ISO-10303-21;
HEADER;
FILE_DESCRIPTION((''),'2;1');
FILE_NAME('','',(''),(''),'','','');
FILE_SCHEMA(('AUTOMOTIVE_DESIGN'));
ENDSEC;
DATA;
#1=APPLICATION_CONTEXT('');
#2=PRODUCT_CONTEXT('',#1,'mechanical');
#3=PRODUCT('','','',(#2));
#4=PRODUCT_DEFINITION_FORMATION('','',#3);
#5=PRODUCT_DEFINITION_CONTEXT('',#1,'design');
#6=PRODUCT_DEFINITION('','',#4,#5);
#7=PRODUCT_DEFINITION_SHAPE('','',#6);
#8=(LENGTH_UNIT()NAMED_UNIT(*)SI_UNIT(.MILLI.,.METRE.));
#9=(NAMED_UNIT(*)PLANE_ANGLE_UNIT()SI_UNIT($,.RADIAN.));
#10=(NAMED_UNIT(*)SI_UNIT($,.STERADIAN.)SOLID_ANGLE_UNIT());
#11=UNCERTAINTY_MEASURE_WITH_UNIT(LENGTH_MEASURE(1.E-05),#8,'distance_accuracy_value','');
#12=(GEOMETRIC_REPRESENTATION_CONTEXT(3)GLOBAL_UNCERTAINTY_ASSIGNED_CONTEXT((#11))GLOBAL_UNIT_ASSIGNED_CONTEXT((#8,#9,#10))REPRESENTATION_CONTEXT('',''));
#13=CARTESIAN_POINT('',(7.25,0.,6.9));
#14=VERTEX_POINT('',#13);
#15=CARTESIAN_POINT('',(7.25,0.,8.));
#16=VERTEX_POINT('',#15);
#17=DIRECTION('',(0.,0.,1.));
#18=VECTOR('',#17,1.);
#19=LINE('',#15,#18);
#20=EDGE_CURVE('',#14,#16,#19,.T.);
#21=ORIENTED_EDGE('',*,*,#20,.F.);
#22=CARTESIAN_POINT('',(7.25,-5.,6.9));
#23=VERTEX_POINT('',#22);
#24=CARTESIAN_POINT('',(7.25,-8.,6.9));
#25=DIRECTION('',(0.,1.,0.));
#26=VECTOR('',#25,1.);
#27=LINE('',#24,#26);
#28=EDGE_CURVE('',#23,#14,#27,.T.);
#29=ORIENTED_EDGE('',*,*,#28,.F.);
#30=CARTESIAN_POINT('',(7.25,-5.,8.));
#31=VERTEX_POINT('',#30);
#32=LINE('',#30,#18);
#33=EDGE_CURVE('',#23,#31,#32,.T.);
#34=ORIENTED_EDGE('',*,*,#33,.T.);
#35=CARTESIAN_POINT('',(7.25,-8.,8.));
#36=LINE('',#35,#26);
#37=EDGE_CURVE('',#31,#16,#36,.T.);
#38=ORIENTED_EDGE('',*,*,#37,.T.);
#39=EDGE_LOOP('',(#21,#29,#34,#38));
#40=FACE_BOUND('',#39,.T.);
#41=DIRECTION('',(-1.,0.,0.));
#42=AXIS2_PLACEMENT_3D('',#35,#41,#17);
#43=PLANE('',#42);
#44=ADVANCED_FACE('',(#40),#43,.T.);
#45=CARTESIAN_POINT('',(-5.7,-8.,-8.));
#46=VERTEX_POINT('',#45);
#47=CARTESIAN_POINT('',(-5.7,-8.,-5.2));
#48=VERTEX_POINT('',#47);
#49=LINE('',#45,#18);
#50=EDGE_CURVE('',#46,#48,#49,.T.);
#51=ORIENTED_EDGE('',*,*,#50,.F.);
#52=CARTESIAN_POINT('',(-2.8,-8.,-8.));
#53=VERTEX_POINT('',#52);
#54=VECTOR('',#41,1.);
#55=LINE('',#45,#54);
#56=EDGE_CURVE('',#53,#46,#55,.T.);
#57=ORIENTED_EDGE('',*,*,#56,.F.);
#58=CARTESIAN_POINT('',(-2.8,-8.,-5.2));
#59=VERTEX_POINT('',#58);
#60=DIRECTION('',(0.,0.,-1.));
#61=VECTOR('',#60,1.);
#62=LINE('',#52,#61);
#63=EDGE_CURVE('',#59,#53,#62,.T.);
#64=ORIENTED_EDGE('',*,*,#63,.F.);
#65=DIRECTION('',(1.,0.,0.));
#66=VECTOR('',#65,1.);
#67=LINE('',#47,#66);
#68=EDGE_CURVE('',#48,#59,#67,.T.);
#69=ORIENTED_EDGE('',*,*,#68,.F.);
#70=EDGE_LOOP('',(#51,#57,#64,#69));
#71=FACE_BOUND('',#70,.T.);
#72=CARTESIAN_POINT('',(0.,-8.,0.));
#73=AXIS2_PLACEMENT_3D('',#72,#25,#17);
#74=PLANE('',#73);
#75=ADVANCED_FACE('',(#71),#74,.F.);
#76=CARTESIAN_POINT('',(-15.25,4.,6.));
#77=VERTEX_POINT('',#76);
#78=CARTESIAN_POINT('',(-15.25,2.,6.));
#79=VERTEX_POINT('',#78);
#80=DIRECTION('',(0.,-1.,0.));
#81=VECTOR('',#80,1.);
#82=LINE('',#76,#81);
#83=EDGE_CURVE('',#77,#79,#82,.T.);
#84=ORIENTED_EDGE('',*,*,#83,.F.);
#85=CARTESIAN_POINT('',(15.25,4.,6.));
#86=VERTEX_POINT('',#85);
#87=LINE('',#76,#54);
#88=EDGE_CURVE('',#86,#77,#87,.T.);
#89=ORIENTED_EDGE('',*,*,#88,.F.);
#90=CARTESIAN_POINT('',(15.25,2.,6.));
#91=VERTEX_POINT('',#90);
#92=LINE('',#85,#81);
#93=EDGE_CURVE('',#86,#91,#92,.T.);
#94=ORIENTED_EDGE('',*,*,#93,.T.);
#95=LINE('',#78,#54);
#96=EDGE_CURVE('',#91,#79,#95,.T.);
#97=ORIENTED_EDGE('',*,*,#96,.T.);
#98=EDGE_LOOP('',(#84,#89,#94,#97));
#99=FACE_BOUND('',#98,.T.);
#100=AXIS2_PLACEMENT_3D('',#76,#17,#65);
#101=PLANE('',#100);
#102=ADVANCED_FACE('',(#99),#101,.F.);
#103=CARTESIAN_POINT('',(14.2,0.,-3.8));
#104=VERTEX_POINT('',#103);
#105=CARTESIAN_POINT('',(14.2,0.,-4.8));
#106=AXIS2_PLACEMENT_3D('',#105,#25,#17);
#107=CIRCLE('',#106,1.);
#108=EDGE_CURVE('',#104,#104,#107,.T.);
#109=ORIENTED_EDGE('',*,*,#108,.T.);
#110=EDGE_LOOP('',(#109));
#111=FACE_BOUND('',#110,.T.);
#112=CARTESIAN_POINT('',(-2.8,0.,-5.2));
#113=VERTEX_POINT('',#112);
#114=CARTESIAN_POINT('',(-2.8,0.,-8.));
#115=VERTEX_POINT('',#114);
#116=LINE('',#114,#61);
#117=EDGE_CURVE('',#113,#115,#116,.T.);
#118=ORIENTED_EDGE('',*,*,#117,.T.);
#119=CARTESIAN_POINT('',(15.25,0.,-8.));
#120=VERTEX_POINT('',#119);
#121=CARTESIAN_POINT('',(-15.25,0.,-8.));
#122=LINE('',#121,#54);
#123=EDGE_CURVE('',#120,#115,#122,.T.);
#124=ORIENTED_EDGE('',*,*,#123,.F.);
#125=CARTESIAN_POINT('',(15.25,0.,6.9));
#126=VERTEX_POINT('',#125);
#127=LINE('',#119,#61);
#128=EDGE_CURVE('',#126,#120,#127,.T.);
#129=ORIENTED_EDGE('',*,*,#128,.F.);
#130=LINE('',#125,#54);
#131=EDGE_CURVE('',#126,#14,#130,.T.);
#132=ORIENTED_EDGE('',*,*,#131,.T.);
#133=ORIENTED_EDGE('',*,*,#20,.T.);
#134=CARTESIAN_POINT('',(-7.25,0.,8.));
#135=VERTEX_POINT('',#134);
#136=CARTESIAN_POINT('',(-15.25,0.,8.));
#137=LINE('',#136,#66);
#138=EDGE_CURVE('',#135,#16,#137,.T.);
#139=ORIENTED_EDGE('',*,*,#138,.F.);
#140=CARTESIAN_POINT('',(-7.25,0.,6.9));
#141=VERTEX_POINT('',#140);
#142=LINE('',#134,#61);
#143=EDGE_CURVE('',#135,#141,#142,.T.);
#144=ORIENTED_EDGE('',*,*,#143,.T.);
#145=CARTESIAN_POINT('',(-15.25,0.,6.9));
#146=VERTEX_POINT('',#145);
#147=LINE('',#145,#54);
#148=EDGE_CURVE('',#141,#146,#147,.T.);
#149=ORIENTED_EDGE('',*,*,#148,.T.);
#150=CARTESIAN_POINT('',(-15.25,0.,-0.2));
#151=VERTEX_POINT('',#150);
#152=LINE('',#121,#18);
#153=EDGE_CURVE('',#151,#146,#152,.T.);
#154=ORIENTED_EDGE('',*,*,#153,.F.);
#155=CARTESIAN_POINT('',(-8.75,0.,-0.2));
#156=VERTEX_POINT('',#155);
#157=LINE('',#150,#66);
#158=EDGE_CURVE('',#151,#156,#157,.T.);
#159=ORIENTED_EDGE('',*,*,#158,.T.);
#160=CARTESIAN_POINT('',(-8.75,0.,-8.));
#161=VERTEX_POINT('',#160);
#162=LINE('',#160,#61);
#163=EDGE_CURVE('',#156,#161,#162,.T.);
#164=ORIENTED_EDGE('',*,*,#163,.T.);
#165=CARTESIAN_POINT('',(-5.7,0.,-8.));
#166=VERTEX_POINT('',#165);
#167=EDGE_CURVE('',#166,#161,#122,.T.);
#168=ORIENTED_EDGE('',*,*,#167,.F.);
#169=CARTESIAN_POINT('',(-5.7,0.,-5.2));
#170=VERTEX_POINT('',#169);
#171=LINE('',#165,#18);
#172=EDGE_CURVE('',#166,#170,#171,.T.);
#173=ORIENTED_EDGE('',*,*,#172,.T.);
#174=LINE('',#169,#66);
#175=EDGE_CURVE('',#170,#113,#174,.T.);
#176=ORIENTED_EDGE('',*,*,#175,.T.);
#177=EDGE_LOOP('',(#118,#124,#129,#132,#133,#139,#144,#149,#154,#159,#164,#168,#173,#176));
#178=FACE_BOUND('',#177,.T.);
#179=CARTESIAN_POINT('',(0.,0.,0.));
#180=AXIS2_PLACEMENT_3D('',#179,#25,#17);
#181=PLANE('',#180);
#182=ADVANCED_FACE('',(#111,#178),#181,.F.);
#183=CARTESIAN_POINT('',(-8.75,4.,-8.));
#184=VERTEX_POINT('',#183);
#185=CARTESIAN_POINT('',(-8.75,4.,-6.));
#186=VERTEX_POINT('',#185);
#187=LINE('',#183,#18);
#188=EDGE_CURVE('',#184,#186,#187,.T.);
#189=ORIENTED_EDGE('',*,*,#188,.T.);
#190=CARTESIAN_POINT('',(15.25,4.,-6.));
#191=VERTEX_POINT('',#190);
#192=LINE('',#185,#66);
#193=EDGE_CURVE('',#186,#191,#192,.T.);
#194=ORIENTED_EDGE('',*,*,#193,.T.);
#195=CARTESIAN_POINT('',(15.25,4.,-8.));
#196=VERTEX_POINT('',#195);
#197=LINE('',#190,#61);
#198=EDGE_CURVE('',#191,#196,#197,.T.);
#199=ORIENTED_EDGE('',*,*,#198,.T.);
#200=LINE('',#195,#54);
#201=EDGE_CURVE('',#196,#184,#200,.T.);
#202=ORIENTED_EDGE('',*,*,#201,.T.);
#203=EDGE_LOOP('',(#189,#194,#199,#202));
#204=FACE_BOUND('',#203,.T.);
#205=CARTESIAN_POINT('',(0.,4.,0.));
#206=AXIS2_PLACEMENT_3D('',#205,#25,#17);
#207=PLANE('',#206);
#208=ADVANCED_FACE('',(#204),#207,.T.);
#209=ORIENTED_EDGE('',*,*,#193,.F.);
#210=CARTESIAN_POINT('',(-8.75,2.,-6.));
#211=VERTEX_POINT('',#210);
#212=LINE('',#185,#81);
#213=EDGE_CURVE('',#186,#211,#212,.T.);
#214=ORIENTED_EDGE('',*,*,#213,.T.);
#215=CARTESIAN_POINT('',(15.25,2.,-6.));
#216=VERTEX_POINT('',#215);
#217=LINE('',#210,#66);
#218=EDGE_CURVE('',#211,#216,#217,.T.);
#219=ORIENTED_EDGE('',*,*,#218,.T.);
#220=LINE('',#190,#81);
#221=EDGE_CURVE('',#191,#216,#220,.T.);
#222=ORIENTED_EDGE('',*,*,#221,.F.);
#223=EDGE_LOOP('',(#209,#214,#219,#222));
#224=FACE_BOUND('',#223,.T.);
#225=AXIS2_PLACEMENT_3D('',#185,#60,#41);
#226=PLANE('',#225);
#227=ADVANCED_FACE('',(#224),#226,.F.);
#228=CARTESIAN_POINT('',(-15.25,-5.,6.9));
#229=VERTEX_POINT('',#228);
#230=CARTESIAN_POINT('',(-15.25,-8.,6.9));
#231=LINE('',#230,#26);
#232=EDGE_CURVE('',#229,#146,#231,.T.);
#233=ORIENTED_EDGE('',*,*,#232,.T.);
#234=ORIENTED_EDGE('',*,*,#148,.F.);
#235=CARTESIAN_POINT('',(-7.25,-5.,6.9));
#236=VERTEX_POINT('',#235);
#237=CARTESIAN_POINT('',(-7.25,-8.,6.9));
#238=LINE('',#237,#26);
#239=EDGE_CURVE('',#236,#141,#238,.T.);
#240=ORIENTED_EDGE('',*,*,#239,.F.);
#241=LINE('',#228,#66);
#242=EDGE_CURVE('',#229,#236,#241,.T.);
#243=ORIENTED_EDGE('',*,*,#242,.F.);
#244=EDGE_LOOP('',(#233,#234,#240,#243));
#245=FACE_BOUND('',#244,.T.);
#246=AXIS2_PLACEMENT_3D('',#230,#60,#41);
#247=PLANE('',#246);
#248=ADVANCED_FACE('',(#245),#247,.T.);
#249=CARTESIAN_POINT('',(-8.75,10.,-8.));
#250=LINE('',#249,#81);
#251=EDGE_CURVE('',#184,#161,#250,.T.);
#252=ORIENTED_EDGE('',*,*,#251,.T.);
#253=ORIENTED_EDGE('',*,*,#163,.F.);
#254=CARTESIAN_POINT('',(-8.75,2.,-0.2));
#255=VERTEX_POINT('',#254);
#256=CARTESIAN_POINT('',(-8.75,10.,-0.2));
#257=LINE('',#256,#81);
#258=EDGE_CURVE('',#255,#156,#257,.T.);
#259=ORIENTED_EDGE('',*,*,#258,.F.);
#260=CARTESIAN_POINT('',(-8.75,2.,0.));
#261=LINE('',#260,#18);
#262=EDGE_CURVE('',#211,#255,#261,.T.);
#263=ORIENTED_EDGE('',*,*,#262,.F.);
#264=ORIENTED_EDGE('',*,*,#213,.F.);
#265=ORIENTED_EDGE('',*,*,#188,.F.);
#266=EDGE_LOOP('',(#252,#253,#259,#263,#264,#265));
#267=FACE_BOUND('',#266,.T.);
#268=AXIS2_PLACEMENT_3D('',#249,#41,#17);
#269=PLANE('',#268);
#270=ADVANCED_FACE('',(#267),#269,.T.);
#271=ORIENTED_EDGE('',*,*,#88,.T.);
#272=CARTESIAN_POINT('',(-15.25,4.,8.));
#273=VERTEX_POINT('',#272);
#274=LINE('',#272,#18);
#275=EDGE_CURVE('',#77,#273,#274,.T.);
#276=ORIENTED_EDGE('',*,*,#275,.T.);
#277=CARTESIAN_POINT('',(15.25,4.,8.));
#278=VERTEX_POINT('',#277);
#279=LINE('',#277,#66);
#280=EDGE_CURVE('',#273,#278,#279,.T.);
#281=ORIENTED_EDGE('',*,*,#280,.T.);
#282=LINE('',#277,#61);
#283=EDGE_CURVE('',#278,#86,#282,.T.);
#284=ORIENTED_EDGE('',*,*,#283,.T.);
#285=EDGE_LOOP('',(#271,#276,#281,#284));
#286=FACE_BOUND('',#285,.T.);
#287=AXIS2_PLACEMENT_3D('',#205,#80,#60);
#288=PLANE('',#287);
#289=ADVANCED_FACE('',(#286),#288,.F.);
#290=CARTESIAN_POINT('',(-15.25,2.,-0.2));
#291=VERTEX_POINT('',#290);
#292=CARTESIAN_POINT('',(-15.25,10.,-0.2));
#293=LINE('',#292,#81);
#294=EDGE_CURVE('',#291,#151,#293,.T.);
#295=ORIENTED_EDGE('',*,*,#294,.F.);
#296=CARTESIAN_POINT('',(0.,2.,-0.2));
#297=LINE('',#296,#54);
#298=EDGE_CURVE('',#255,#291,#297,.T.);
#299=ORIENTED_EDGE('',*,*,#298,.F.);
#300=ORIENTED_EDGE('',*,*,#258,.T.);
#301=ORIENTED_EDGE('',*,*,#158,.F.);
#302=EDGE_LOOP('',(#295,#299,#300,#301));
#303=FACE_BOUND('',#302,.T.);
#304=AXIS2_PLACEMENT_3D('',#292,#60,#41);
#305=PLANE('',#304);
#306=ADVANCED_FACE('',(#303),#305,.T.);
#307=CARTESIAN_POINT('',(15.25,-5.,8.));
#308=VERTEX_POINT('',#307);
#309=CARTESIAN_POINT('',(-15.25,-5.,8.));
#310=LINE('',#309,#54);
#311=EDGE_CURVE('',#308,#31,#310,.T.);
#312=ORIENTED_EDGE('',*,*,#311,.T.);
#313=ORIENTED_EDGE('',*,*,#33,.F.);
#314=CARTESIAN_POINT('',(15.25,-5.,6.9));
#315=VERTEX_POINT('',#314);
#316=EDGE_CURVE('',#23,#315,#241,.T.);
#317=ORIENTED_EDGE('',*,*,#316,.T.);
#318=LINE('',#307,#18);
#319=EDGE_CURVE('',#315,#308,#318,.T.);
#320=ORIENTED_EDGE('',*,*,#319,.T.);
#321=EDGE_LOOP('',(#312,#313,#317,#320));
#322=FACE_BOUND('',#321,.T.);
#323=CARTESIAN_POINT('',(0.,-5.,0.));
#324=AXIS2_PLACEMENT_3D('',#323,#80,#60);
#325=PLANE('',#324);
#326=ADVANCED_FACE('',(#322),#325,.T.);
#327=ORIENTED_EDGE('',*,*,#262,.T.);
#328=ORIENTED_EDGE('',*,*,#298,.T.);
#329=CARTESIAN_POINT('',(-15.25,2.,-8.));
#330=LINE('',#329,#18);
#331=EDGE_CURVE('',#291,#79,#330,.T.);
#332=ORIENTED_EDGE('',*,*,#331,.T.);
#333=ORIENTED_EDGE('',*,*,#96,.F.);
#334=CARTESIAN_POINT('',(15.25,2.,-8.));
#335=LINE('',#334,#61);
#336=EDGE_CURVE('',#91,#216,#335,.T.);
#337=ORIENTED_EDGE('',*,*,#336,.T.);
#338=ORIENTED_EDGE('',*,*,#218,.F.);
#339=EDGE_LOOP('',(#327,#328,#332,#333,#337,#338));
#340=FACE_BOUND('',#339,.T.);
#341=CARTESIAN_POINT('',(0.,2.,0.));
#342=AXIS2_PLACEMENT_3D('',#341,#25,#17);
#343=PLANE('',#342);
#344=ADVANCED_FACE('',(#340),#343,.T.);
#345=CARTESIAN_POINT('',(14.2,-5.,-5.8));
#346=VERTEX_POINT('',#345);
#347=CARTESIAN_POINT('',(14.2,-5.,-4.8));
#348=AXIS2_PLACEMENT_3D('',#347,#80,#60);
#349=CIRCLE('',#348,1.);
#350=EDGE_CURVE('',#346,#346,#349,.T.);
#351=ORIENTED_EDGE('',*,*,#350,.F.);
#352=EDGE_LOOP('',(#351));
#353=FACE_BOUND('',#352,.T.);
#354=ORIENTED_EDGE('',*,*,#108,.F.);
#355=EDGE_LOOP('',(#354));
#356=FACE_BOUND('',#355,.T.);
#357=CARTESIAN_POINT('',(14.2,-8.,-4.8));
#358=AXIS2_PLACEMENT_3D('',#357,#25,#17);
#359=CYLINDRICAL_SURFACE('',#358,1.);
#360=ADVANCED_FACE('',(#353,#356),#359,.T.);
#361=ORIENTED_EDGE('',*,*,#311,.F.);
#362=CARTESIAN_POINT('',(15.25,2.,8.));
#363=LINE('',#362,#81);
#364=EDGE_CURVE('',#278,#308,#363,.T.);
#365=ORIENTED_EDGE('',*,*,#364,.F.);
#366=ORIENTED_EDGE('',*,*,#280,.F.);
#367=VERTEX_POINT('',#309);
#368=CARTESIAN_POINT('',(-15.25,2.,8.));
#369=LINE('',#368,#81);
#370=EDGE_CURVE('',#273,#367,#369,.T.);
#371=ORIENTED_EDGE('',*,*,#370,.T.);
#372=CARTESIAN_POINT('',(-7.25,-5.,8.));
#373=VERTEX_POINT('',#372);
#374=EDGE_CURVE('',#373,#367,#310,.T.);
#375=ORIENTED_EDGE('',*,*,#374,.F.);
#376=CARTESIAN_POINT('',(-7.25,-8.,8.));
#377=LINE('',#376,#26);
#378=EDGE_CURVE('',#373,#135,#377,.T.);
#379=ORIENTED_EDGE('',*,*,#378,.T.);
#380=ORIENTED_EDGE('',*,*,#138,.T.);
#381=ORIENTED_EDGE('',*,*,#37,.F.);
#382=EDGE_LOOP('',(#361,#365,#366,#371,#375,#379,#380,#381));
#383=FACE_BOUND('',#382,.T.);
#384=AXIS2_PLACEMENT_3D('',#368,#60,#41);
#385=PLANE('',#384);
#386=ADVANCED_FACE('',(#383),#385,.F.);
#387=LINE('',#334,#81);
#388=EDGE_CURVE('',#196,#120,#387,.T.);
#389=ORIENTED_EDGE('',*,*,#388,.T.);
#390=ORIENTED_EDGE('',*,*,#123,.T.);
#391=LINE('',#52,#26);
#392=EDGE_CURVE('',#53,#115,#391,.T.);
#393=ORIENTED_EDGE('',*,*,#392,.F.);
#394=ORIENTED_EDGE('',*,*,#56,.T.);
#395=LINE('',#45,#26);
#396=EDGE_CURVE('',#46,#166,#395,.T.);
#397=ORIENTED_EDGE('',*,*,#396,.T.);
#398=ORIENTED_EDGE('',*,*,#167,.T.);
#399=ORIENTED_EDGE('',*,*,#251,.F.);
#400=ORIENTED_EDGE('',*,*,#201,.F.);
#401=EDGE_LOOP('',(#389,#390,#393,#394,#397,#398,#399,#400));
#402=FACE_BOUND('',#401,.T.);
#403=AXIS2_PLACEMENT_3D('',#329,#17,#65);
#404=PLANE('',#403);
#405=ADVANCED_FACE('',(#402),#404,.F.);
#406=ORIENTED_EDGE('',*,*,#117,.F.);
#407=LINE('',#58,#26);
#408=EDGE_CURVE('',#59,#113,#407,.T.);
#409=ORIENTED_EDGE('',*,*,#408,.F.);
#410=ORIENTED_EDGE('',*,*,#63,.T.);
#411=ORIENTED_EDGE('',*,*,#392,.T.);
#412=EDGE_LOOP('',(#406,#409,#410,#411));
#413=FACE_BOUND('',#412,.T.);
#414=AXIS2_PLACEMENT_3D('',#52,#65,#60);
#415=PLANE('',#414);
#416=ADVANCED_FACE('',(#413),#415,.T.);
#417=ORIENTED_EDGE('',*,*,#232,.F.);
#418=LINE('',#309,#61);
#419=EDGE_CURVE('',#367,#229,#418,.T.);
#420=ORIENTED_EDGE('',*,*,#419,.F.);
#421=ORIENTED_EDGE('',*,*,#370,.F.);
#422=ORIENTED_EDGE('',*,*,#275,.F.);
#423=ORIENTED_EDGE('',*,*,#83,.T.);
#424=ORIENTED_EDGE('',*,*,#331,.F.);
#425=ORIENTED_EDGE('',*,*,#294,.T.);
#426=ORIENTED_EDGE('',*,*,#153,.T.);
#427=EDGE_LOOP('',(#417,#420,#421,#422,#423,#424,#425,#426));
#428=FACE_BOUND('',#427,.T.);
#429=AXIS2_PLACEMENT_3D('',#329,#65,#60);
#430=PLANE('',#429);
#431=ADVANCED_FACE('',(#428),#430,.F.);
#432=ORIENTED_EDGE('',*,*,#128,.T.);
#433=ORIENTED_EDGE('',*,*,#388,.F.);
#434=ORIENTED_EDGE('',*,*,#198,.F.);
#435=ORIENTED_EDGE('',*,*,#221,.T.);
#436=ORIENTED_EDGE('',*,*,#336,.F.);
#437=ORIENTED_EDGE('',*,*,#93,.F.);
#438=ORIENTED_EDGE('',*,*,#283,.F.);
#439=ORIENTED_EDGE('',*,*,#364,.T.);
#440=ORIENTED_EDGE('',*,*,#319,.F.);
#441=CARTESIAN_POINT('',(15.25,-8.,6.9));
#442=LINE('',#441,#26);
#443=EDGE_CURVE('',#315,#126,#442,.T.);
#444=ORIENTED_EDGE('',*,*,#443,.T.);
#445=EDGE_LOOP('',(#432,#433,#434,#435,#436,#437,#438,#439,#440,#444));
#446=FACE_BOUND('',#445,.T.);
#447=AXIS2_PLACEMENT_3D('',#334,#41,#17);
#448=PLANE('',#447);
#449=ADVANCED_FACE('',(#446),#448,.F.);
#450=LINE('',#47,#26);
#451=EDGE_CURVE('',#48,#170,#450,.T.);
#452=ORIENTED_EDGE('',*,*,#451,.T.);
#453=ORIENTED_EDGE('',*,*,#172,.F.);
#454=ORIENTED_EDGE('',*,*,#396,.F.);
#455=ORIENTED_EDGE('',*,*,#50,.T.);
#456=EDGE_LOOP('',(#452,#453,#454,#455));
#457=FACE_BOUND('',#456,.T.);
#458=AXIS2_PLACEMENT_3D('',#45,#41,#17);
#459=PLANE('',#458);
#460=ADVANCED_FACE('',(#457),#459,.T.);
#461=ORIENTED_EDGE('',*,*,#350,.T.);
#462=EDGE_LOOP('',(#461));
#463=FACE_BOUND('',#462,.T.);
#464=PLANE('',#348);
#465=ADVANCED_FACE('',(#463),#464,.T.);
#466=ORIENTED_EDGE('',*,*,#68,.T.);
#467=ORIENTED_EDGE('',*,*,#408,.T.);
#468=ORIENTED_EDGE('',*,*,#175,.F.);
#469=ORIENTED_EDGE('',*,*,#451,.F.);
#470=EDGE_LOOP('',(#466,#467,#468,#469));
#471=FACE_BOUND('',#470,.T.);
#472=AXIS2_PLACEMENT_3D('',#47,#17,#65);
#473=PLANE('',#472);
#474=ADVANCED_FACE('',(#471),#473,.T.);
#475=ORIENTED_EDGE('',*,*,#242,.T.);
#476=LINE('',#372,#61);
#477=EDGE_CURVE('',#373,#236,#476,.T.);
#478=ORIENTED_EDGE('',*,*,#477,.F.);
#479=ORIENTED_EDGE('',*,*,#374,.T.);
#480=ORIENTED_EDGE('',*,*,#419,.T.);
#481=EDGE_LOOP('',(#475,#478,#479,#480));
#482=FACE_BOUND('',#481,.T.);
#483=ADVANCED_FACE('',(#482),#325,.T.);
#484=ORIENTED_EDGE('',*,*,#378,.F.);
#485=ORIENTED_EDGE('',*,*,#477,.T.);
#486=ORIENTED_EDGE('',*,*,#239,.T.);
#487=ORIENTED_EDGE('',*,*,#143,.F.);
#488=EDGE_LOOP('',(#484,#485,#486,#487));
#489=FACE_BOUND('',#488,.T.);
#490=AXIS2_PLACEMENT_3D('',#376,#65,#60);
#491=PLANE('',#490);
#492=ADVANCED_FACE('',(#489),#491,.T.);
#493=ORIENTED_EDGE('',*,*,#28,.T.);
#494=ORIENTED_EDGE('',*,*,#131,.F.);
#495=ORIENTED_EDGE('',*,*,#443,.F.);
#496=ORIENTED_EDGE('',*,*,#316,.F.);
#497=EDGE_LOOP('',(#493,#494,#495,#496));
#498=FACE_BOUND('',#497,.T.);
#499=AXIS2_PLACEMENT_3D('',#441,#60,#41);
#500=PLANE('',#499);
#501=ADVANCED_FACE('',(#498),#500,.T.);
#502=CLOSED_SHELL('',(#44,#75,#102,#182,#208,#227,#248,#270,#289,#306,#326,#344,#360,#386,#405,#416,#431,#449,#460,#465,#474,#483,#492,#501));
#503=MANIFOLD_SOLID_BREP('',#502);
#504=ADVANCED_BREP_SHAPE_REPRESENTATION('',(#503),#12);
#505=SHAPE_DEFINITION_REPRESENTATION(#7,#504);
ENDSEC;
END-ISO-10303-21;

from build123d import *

# Parameters (mm, degrees)
SKETCH1_W           = 30.5
SKETCH1_H           = 16
BOSS_EXTRUDE1_DEPTH = 2
SKETCH3_R           = 1
SKETCH3_W           = 2.9
SKETCH3_H           = 2.8
SKETCH3_W_2         = 8
SKETCH3_H_2         = 1.1
BOSS_EXTRUDE3_DEPTH = 8
CUT_EXTRUDE2_DEPTH  = 10
CUT_EXTRUDE3_START  = -3
SKETCH5_R           = 1
SKETCH5_W           = 30.5
SKETCH5_H           = 1.1
CUT_EXTRUDE3_DEPTH  = 3
SKETCH6_W           = 30.5
SKETCH6_H           = 2
SKETCH6_W_2         = 24
BOSS_EXTRUDE4_DEPTH = 2


with BuildPart() as part:
    # Sketch1 → Boss-Extrude1 (new body)
    with BuildSketch(Plane(origin=(0, 0, 0), x_dir=(1, 0, 0), z_dir=(0, 1, 0))):
        Rectangle(SKETCH1_W, SKETCH1_H)
    extrude(amount=BOSS_EXTRUDE1_DEPTH)

    # Sketch3 → Boss-Extrude3 (add)
    with BuildSketch(Plane(origin=(0, 0, 0), x_dir=(1, 0, 0), z_dir=(0, 1, 0))):
        with Locations(Location((14.2, 4.8, 0), (0, 0, 270))):
            Circle(SKETCH3_R)
        with Locations((-4.25, 6.6)):
            Rectangle(SKETCH3_W, SKETCH3_H)
        with Locations((-11.25, -7.45)):
            Rectangle(SKETCH3_W_2, SKETCH3_H_2)
        with Locations((11.25, -7.45)):
            Rectangle(SKETCH3_W_2, SKETCH3_H_2)
    extrude(amount=-BOSS_EXTRUDE3_DEPTH)

    # Sketch4 → Cut-Extrude2 (cut)
    with BuildSketch(Plane(origin=(0, 0, 0), x_dir=(1, 0, 0), z_dir=(0, 1, 0))):
        Polygon((-15.25, 2.7), (-15.25, 8), (-8.75, 8), (-8.75, 2.7), (-8.75, 0.2), (-15.25, 0.2), align=None)
    extrude(amount=CUT_EXTRUDE2_DEPTH, mode=Mode.SUBTRACT)

    # Sketch5 → Cut-Extrude3 (cut)
    with BuildSketch(Plane.XZ.offset(8).offset(CUT_EXTRUDE3_START)):
        with Locations(Location((14.2, -4.8, 0), (0, 0, 90))):
            Circle(SKETCH5_R)
        with Locations((0, 7.45)):
            Rectangle(SKETCH5_W, SKETCH5_H)
    extrude(amount=CUT_EXTRUDE3_DEPTH, mode=Mode.SUBTRACT)

    # Sketch6 → Boss-Extrude4 (add)
    with BuildSketch(Plane(origin=(0, 2, 0), x_dir=(1, 0, 0), z_dir=(0, 1, 0))):
        with Locations((0, -7)):
            Rectangle(SKETCH6_W, SKETCH6_H)
        with Locations((3.25, 7)):
            Rectangle(SKETCH6_W_2, SKETCH6_H)
    extrude(amount=BOSS_EXTRUDE4_DEPTH)


solid = part.part
